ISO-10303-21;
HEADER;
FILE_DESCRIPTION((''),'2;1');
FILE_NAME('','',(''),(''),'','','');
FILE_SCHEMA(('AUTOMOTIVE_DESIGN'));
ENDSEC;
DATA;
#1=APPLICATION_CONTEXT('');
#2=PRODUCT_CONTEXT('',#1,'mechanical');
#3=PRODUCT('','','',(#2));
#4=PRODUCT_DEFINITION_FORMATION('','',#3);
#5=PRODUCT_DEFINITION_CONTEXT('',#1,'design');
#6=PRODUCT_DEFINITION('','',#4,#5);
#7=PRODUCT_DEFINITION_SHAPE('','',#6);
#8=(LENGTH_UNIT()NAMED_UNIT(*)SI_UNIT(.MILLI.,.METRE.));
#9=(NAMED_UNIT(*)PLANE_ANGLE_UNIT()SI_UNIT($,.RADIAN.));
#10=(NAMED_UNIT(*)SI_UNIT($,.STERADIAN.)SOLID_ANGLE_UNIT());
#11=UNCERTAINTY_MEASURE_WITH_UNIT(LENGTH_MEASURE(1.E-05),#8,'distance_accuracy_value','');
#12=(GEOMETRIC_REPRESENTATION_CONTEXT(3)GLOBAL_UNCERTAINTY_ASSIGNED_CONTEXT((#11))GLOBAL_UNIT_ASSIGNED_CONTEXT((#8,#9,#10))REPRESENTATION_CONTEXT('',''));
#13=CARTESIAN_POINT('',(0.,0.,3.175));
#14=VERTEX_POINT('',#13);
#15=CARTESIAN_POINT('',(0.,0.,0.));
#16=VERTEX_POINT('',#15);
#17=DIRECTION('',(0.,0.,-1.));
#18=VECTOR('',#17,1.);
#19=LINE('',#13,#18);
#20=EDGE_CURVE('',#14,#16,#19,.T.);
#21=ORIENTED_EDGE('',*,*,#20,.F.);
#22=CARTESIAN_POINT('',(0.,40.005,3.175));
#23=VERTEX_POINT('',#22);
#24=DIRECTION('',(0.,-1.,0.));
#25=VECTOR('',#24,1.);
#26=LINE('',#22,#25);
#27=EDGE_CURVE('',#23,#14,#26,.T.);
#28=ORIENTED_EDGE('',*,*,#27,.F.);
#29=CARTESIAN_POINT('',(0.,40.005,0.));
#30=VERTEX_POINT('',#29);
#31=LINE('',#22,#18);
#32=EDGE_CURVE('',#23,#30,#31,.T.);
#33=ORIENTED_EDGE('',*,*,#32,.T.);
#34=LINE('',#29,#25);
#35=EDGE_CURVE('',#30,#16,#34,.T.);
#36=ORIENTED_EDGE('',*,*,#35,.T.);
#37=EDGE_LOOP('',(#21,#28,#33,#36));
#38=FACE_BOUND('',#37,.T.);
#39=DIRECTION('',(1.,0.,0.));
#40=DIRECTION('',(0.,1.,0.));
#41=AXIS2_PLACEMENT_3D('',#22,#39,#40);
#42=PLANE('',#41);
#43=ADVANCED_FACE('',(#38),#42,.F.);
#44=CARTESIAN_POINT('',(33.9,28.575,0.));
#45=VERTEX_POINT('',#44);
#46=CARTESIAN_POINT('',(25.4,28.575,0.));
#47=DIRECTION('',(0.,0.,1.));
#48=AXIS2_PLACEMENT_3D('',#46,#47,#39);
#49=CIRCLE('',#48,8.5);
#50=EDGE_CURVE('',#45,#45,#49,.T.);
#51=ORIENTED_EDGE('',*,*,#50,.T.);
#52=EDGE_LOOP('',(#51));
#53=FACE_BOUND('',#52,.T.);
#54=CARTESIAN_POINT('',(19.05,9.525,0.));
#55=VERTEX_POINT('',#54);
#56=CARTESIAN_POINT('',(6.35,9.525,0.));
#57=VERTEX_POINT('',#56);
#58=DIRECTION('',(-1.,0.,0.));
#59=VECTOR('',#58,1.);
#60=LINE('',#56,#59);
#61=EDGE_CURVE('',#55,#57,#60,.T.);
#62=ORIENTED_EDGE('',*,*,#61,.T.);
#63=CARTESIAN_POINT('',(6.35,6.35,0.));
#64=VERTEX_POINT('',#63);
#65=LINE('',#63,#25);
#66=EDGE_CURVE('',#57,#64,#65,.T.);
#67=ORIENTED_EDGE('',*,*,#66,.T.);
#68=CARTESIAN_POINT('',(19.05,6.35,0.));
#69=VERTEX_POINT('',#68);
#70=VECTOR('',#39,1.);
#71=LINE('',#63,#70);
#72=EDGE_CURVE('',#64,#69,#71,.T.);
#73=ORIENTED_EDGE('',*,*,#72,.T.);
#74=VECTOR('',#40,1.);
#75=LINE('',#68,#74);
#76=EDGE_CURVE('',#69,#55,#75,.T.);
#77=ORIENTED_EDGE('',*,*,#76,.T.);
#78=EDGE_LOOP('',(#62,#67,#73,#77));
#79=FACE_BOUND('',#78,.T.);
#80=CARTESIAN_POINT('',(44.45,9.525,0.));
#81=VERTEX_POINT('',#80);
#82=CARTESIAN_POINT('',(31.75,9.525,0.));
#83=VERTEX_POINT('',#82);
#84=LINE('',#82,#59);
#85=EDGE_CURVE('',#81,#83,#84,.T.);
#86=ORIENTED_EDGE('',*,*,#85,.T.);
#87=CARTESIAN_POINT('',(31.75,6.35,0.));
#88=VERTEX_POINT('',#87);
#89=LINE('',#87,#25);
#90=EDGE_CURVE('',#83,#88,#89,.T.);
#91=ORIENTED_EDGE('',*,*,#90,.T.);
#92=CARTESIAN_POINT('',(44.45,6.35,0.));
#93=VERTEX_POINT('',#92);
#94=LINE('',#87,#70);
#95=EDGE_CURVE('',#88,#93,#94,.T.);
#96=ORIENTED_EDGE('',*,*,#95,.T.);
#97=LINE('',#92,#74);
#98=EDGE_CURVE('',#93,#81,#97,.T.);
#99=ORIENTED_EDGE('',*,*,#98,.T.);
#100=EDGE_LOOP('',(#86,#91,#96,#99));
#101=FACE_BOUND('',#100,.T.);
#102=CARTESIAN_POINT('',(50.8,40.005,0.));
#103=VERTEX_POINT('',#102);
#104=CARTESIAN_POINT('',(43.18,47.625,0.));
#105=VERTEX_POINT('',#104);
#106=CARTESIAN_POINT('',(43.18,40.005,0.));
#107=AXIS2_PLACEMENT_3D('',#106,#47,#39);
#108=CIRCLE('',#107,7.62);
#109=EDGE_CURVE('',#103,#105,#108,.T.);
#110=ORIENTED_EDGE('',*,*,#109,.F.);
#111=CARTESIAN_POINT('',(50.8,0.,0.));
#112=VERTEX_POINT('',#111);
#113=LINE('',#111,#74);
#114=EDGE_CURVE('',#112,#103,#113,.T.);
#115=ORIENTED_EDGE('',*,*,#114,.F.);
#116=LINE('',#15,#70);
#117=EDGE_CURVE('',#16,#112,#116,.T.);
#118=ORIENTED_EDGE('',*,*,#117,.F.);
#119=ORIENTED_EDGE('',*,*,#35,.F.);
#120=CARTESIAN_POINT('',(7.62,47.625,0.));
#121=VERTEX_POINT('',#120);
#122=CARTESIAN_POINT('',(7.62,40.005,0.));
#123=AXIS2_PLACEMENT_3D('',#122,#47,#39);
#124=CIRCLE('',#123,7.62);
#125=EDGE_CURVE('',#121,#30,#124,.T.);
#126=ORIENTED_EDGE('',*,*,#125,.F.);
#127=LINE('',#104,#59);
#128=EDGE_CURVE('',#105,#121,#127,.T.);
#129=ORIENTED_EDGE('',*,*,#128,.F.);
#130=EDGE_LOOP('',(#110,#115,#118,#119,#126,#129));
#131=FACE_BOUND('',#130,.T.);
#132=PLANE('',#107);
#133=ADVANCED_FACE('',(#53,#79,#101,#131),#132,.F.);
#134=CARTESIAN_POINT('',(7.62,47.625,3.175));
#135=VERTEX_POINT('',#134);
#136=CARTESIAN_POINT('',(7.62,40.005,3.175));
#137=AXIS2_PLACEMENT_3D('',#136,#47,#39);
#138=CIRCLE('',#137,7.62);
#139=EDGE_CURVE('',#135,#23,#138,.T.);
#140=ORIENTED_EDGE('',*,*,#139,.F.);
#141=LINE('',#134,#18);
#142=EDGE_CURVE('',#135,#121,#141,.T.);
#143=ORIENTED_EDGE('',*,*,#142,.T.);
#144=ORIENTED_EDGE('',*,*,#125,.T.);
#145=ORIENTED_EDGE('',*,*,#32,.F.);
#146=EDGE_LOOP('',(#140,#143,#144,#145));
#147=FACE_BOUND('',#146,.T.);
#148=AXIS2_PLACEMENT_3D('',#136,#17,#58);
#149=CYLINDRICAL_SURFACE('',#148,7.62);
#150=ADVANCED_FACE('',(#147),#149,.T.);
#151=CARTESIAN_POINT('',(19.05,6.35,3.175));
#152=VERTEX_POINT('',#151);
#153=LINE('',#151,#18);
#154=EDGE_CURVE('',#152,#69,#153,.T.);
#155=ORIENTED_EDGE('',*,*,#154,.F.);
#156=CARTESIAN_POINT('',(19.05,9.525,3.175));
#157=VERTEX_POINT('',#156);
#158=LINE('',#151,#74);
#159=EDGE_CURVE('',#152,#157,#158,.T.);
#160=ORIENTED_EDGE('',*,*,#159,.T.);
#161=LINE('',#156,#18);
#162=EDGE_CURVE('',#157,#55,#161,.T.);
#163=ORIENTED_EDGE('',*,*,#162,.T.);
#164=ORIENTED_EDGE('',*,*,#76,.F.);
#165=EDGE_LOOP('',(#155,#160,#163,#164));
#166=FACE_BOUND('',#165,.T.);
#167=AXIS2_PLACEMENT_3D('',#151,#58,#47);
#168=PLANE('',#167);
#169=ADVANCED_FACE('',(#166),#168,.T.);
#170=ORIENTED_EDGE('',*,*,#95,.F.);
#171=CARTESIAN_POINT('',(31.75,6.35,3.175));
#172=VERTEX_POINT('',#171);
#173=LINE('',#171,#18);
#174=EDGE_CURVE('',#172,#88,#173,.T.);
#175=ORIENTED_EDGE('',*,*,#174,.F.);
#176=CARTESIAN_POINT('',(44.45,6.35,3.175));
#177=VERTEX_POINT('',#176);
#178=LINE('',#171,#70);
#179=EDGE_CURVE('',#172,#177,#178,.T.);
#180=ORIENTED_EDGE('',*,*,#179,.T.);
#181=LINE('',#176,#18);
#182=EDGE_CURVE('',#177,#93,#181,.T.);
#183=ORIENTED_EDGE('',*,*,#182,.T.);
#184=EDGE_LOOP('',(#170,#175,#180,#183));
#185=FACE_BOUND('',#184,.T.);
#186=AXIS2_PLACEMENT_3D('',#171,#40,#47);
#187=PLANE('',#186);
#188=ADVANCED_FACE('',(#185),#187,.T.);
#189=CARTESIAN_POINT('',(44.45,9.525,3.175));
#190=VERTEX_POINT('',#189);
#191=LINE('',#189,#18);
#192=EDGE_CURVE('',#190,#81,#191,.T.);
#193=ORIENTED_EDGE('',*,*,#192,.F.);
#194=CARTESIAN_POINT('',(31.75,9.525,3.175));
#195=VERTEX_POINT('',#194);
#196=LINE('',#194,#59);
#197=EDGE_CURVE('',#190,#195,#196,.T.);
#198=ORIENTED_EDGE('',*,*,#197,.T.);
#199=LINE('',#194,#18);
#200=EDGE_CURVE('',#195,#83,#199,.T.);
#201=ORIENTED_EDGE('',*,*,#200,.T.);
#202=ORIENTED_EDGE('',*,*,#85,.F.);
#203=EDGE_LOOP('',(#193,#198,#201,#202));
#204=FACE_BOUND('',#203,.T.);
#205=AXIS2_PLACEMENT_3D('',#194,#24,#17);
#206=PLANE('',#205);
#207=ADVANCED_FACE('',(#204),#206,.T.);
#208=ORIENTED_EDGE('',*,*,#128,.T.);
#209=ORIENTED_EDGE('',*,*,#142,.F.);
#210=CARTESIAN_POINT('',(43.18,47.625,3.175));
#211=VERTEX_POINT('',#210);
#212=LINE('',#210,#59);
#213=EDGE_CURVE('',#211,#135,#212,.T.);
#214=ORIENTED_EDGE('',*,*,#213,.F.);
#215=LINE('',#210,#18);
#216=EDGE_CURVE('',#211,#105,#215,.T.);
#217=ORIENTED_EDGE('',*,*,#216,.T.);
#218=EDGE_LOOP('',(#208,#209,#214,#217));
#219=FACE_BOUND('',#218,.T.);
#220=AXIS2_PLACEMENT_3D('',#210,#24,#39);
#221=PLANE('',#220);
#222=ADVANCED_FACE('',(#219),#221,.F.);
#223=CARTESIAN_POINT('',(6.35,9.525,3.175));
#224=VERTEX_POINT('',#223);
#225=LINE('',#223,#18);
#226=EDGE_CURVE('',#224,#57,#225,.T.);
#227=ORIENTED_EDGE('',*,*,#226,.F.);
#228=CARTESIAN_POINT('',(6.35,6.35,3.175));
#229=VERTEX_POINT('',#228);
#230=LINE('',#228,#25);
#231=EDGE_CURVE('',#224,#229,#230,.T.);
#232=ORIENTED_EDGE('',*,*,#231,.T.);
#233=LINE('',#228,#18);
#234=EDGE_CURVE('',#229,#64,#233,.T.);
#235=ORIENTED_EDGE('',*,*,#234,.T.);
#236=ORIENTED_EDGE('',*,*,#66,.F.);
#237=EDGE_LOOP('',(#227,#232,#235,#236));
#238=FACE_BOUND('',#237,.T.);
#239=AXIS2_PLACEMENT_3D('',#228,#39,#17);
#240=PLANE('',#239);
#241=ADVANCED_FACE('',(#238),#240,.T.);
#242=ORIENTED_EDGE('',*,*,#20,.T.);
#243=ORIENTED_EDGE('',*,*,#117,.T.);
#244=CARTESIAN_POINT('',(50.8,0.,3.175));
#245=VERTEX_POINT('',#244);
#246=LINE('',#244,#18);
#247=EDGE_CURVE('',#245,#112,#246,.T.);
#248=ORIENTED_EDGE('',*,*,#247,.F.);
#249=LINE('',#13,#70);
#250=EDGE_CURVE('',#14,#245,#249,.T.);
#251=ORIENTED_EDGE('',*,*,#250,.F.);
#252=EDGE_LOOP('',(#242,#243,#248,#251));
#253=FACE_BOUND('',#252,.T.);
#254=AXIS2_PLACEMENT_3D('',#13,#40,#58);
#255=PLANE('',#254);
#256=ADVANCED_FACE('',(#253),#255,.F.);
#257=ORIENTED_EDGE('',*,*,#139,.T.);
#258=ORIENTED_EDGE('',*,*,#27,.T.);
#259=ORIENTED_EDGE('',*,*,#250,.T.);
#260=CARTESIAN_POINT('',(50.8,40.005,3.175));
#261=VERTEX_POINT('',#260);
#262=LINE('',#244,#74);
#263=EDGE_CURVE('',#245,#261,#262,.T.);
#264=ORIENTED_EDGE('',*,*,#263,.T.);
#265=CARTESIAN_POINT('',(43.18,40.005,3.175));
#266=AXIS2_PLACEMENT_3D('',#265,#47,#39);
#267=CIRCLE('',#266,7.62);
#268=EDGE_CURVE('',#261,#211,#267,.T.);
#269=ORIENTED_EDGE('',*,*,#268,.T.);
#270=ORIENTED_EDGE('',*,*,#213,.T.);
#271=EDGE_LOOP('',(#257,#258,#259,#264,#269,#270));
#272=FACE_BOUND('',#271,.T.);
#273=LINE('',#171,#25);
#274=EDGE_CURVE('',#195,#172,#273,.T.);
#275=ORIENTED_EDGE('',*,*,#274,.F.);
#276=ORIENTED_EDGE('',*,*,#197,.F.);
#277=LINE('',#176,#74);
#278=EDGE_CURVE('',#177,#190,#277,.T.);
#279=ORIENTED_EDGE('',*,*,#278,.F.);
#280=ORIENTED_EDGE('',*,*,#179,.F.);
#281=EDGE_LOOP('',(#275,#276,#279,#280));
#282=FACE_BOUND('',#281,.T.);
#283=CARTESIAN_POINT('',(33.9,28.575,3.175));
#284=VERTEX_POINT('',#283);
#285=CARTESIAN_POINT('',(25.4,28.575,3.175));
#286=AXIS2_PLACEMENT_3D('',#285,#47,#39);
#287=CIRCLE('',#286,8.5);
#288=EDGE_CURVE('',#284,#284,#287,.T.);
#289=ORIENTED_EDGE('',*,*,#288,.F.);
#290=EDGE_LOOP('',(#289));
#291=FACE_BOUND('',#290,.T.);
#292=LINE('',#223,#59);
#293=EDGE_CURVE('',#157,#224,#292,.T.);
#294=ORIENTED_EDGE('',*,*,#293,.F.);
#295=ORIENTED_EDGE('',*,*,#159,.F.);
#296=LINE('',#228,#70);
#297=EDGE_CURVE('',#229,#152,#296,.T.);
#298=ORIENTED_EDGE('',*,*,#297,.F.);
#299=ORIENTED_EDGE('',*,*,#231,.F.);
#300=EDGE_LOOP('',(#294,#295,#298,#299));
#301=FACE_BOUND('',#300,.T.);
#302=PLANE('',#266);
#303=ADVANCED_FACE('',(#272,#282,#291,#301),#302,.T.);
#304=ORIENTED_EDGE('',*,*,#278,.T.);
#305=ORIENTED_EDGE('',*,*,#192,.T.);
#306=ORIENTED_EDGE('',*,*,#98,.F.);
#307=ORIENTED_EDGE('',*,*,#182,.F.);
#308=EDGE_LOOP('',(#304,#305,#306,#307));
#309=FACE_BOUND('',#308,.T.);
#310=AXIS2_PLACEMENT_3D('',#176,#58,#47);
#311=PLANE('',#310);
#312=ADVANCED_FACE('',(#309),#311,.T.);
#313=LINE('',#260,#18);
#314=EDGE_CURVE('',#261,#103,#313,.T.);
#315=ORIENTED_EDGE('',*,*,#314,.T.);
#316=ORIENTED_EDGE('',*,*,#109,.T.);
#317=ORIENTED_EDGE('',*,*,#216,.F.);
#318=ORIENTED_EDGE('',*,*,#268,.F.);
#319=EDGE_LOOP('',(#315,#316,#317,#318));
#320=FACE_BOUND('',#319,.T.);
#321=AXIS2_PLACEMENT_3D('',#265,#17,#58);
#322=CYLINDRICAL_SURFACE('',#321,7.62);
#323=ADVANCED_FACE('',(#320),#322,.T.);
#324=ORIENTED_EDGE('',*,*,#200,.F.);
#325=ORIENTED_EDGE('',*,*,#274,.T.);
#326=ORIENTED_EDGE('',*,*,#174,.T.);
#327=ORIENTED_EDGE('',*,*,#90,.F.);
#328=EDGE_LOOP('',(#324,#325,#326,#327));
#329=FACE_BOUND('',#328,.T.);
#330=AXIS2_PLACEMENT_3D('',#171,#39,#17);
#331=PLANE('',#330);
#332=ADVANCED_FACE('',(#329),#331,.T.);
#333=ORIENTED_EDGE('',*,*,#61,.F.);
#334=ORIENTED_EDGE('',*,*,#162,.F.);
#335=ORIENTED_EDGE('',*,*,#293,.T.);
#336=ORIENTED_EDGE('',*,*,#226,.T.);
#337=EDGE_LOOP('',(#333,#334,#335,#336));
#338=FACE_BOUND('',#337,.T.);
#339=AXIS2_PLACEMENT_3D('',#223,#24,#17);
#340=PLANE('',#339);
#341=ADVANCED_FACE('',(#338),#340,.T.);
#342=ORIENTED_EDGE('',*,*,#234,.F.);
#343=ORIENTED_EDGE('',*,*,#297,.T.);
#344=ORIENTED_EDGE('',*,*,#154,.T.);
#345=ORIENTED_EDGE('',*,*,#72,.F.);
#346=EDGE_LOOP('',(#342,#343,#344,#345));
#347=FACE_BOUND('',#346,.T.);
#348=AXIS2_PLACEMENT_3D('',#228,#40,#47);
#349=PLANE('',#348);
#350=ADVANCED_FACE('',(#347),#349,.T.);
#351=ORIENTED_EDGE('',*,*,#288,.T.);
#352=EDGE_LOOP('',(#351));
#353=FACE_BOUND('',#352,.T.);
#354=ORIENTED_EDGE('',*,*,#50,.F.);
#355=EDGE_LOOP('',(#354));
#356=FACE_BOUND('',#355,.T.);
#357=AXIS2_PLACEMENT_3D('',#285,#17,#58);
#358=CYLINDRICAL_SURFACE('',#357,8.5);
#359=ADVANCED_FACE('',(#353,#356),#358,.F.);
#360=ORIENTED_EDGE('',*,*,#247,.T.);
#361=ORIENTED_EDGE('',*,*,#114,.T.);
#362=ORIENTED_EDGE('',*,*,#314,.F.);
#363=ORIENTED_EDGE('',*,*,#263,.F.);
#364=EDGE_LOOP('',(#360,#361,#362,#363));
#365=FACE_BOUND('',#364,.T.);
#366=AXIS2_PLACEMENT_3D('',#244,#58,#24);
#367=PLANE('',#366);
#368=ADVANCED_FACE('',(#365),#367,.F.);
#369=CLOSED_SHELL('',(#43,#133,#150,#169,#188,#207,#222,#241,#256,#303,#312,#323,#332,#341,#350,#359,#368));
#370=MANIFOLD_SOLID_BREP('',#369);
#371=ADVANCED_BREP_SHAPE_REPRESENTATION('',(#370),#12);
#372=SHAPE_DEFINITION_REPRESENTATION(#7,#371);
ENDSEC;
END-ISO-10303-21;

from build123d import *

# Parameters (mm, degrees)
SKETCH1_R           = 8.5
SKETCH1_W           = 12.7
SKETCH1_H           = 3.175
BOSS_EXTRUDE1_DEPTH = 3.175


with BuildPart() as part:
    # Sketch1 → Boss-Extrude1 (new body)
    with BuildSketch(Plane.XY):
        with BuildLine():
            Line((50.8, 0), (50.8, 40.005))
            ThreePointArc((50.8, 40.005), (48.568153673, 45.393153673), (43.18, 47.625))
            Line((43.18, 47.625), (7.62, 47.625))
            ThreePointArc((7.62, 47.625), (2.231846327, 45.393153673), (0, 40.005))
            Line((0, 40.005), (0, 0))
            Line((0, 0), (50.8, 0))
        make_face()
        with Locations((25.4, 28.575)):
            Circle(SKETCH1_R, mode=Mode.SUBTRACT)
        with Locations((12.7, 7.9375)):
            Rectangle(SKETCH1_W, SKETCH1_H, mode=Mode.SUBTRACT)
        with Locations((38.1, 7.9375)):
            Rectangle(SKETCH1_W, SKETCH1_H, mode=Mode.SUBTRACT)
    extrude(amount=BOSS_EXTRUDE1_DEPTH)


solid = part.part
